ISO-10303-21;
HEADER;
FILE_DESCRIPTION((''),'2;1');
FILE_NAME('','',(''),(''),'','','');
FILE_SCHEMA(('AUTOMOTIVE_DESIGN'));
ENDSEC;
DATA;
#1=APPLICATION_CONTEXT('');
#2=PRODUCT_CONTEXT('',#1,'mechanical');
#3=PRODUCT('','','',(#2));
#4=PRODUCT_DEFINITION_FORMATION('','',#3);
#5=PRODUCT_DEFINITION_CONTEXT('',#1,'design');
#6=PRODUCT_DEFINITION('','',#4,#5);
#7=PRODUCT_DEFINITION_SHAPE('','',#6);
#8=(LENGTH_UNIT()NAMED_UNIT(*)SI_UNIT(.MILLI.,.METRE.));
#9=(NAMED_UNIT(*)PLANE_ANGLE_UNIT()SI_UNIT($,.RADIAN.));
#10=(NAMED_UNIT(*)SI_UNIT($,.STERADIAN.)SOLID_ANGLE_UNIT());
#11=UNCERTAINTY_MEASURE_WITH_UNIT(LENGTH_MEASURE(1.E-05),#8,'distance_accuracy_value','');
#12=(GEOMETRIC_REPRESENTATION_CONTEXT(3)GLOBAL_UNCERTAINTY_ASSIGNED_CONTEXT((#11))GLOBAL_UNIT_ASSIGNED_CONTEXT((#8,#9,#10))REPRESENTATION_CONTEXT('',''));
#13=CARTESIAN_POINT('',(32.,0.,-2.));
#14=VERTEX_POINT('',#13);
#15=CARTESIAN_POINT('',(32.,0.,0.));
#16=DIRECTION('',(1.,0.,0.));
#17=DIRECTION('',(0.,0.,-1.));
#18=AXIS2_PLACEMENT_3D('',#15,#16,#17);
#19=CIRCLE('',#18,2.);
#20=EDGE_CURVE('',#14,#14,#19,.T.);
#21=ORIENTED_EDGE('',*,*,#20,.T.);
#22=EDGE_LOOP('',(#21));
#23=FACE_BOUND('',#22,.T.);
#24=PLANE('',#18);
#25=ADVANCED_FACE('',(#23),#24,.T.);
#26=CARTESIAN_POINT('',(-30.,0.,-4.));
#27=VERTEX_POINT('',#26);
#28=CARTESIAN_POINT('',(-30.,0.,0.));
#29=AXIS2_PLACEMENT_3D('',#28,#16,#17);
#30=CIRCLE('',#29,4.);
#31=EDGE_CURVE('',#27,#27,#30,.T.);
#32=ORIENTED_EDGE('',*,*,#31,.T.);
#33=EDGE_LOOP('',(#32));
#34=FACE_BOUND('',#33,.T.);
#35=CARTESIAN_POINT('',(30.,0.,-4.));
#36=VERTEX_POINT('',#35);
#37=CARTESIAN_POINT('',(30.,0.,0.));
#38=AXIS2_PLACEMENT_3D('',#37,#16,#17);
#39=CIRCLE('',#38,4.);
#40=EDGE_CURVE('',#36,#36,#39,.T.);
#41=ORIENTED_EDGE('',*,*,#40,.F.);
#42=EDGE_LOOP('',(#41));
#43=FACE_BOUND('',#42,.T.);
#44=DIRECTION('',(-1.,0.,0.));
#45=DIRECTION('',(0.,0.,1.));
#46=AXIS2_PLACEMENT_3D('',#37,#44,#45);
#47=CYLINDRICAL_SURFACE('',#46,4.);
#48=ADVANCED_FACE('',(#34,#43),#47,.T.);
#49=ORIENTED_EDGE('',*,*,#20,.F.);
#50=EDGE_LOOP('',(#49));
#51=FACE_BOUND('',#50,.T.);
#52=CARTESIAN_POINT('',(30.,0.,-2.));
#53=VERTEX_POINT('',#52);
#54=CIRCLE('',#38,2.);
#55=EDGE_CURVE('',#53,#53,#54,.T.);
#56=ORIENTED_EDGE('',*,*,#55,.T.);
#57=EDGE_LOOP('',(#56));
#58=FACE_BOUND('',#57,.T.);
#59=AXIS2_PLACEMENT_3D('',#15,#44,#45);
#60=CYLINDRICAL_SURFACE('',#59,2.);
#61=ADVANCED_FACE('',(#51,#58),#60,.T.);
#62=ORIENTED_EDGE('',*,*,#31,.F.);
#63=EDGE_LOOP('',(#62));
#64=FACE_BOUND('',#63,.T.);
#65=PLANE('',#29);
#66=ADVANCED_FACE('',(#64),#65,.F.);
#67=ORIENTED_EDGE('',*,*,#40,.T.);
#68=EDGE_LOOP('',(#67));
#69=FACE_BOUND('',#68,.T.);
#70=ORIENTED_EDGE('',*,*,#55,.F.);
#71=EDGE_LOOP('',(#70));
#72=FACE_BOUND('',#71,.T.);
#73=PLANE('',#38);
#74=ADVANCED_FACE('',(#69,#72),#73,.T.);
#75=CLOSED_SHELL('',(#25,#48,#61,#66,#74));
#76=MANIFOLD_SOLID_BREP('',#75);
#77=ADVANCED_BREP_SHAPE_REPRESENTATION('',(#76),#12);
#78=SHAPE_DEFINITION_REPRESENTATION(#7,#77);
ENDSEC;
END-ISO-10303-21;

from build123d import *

# Parameters (mm, degrees)
SKETCH1_R           = 4
BOSS_EXTRUDE1_DEPTH = 30
SKETCH2_R           = 2
BOSS_EXTRUDE2_DEPTH = 2


with BuildPart() as part:
    # Sketch1 → Boss-Extrude1 (new, symmetric)
    with BuildSketch(Plane(origin=(0, 0, 0), x_dir=(0, 0, -1), z_dir=(1, 0, 0))):
        Circle(SKETCH1_R)
    extrude(amount=BOSS_EXTRUDE1_DEPTH, both=True)

    # Sketch2 → Boss-Extrude2 (add)
    with BuildSketch(Plane(origin=(30, 0, 0), x_dir=(0, 0, -1), z_dir=(1, 0, 0))):
        Circle(SKETCH2_R)
    extrude(amount=BOSS_EXTRUDE2_DEPTH)


solid = part.part
